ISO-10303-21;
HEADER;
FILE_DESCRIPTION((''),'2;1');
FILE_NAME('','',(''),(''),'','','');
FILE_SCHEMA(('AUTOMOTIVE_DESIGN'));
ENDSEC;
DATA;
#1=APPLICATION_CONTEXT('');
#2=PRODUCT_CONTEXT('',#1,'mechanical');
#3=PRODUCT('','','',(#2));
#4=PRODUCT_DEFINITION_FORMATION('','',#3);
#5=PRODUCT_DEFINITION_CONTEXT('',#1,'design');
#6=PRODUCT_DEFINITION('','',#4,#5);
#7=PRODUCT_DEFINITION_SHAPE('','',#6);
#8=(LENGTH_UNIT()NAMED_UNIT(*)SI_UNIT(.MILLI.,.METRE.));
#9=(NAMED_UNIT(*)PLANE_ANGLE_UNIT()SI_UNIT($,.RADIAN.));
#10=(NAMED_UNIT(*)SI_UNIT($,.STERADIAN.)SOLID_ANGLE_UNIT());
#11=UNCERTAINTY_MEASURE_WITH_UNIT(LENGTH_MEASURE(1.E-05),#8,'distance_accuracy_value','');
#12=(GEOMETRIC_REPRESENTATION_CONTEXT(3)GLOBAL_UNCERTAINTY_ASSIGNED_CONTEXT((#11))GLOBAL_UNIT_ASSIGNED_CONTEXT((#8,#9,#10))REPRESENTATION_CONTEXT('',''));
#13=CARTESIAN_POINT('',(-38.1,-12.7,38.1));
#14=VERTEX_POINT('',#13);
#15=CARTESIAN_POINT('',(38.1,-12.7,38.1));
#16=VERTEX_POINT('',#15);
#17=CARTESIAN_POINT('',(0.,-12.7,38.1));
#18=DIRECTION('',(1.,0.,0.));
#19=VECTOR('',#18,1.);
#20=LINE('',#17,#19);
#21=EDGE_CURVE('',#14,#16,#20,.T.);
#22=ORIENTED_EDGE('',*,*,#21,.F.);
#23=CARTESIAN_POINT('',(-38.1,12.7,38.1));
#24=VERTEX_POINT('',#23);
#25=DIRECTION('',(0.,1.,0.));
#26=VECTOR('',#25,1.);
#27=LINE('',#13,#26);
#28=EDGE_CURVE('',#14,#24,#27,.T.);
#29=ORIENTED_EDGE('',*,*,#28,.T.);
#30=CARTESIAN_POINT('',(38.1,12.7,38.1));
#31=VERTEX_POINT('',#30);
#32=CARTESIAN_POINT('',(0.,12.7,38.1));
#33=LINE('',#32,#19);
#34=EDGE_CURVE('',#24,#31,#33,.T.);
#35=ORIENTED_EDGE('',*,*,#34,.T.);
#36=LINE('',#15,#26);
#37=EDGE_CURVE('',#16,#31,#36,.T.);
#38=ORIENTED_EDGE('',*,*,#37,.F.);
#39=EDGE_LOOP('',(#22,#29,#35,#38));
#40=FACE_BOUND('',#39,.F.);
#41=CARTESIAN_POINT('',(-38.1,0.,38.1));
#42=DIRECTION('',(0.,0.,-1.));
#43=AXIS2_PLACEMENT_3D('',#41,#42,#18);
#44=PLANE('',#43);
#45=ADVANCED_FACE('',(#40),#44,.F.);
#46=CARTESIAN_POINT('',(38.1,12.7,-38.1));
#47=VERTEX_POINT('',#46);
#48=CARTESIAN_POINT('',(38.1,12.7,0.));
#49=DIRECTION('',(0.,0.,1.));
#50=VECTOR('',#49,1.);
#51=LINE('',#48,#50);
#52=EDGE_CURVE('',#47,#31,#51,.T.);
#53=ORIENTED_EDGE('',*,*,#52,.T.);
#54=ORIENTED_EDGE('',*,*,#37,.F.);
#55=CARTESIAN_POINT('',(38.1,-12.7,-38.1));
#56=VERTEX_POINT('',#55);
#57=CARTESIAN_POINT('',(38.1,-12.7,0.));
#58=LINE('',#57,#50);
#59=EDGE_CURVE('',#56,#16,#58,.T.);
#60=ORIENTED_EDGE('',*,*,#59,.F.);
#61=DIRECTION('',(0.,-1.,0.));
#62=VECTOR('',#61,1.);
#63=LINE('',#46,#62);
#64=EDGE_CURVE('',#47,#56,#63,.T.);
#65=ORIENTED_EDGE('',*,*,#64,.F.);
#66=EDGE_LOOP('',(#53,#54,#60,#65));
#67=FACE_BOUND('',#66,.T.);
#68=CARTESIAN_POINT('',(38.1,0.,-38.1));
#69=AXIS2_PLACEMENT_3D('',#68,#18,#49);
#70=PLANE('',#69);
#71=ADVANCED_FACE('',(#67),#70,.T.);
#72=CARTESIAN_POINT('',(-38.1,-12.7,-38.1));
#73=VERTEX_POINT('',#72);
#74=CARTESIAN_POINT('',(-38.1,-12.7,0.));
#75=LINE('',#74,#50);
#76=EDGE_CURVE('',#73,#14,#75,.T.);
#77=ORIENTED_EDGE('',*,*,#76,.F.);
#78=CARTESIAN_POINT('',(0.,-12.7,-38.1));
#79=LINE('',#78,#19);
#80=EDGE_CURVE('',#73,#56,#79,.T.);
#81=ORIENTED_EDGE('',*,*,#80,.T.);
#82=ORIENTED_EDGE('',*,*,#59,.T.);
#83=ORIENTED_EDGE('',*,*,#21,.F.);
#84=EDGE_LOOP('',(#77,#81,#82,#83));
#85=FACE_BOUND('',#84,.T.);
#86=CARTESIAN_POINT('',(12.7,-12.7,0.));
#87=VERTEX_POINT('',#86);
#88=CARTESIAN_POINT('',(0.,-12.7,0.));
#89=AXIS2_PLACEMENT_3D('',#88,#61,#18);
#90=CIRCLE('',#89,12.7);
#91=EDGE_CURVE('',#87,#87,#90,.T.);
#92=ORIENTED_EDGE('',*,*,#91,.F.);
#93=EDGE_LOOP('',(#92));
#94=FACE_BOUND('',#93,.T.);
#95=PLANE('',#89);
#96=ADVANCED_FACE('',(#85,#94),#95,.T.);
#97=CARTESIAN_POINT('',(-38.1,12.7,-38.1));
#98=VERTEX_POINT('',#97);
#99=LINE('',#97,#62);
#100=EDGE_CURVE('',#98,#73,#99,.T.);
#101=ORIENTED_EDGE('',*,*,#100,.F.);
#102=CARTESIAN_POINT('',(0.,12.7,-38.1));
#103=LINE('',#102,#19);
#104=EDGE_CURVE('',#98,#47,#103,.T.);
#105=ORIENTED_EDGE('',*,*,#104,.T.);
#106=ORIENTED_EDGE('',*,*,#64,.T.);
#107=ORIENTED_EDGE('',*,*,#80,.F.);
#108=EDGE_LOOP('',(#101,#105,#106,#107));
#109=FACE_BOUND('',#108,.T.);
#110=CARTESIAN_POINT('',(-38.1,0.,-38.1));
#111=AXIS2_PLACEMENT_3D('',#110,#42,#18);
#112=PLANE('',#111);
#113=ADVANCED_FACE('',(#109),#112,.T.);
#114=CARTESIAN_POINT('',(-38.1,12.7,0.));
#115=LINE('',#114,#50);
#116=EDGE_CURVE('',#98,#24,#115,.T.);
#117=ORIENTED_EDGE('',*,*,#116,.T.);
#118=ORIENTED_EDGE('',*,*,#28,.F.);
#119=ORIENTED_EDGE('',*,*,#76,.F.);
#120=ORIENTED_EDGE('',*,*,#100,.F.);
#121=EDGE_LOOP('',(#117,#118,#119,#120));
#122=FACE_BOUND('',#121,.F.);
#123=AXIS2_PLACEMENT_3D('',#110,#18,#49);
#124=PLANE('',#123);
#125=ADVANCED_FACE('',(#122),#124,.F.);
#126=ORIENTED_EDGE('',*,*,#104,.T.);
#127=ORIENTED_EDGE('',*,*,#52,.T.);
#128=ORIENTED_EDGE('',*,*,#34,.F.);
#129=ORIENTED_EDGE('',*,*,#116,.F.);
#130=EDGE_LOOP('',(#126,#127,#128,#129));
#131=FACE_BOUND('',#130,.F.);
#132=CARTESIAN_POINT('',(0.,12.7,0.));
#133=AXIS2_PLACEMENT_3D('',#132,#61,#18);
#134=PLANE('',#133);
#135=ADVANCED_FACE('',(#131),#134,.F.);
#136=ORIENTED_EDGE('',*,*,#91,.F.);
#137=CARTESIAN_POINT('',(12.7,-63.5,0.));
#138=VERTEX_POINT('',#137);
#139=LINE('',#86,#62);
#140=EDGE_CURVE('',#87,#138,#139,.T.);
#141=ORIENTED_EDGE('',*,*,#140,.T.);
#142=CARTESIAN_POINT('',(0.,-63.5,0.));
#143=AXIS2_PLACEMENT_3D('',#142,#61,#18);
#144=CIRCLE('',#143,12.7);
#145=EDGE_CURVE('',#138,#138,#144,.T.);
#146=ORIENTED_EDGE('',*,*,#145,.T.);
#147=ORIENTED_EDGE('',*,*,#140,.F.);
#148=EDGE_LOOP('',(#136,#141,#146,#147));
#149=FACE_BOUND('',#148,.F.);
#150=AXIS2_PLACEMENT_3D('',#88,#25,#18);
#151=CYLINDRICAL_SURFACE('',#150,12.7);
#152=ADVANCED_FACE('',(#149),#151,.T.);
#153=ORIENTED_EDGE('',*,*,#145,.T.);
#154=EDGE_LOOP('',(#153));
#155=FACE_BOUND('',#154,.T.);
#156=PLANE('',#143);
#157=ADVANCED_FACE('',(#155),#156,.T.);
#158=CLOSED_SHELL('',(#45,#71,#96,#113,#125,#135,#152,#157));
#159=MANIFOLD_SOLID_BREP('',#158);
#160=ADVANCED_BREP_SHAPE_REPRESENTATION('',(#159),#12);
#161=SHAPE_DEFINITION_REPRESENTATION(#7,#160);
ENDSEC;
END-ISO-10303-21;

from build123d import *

# Parameters (mm, degrees)
F0_W     = 76.2
F0_H     = 76.2
F1_DEPTH = 12.7
F2_R     = 12.7
F3_DEPTH = 50.8


with BuildPart() as f1:
    # F0 (on Front) → F1 (new body, symmetric)
    with BuildSketch(Plane.XZ):
        Rectangle(F0_W, F0_H)
    extrude(amount=F1_DEPTH, both=True)

    # F2 (on face) → F3 (join)
    with BuildSketch(Plane.XZ.offset(12.7)):
        Circle(F2_R)
    extrude(amount=F3_DEPTH)


solid = f1.part
